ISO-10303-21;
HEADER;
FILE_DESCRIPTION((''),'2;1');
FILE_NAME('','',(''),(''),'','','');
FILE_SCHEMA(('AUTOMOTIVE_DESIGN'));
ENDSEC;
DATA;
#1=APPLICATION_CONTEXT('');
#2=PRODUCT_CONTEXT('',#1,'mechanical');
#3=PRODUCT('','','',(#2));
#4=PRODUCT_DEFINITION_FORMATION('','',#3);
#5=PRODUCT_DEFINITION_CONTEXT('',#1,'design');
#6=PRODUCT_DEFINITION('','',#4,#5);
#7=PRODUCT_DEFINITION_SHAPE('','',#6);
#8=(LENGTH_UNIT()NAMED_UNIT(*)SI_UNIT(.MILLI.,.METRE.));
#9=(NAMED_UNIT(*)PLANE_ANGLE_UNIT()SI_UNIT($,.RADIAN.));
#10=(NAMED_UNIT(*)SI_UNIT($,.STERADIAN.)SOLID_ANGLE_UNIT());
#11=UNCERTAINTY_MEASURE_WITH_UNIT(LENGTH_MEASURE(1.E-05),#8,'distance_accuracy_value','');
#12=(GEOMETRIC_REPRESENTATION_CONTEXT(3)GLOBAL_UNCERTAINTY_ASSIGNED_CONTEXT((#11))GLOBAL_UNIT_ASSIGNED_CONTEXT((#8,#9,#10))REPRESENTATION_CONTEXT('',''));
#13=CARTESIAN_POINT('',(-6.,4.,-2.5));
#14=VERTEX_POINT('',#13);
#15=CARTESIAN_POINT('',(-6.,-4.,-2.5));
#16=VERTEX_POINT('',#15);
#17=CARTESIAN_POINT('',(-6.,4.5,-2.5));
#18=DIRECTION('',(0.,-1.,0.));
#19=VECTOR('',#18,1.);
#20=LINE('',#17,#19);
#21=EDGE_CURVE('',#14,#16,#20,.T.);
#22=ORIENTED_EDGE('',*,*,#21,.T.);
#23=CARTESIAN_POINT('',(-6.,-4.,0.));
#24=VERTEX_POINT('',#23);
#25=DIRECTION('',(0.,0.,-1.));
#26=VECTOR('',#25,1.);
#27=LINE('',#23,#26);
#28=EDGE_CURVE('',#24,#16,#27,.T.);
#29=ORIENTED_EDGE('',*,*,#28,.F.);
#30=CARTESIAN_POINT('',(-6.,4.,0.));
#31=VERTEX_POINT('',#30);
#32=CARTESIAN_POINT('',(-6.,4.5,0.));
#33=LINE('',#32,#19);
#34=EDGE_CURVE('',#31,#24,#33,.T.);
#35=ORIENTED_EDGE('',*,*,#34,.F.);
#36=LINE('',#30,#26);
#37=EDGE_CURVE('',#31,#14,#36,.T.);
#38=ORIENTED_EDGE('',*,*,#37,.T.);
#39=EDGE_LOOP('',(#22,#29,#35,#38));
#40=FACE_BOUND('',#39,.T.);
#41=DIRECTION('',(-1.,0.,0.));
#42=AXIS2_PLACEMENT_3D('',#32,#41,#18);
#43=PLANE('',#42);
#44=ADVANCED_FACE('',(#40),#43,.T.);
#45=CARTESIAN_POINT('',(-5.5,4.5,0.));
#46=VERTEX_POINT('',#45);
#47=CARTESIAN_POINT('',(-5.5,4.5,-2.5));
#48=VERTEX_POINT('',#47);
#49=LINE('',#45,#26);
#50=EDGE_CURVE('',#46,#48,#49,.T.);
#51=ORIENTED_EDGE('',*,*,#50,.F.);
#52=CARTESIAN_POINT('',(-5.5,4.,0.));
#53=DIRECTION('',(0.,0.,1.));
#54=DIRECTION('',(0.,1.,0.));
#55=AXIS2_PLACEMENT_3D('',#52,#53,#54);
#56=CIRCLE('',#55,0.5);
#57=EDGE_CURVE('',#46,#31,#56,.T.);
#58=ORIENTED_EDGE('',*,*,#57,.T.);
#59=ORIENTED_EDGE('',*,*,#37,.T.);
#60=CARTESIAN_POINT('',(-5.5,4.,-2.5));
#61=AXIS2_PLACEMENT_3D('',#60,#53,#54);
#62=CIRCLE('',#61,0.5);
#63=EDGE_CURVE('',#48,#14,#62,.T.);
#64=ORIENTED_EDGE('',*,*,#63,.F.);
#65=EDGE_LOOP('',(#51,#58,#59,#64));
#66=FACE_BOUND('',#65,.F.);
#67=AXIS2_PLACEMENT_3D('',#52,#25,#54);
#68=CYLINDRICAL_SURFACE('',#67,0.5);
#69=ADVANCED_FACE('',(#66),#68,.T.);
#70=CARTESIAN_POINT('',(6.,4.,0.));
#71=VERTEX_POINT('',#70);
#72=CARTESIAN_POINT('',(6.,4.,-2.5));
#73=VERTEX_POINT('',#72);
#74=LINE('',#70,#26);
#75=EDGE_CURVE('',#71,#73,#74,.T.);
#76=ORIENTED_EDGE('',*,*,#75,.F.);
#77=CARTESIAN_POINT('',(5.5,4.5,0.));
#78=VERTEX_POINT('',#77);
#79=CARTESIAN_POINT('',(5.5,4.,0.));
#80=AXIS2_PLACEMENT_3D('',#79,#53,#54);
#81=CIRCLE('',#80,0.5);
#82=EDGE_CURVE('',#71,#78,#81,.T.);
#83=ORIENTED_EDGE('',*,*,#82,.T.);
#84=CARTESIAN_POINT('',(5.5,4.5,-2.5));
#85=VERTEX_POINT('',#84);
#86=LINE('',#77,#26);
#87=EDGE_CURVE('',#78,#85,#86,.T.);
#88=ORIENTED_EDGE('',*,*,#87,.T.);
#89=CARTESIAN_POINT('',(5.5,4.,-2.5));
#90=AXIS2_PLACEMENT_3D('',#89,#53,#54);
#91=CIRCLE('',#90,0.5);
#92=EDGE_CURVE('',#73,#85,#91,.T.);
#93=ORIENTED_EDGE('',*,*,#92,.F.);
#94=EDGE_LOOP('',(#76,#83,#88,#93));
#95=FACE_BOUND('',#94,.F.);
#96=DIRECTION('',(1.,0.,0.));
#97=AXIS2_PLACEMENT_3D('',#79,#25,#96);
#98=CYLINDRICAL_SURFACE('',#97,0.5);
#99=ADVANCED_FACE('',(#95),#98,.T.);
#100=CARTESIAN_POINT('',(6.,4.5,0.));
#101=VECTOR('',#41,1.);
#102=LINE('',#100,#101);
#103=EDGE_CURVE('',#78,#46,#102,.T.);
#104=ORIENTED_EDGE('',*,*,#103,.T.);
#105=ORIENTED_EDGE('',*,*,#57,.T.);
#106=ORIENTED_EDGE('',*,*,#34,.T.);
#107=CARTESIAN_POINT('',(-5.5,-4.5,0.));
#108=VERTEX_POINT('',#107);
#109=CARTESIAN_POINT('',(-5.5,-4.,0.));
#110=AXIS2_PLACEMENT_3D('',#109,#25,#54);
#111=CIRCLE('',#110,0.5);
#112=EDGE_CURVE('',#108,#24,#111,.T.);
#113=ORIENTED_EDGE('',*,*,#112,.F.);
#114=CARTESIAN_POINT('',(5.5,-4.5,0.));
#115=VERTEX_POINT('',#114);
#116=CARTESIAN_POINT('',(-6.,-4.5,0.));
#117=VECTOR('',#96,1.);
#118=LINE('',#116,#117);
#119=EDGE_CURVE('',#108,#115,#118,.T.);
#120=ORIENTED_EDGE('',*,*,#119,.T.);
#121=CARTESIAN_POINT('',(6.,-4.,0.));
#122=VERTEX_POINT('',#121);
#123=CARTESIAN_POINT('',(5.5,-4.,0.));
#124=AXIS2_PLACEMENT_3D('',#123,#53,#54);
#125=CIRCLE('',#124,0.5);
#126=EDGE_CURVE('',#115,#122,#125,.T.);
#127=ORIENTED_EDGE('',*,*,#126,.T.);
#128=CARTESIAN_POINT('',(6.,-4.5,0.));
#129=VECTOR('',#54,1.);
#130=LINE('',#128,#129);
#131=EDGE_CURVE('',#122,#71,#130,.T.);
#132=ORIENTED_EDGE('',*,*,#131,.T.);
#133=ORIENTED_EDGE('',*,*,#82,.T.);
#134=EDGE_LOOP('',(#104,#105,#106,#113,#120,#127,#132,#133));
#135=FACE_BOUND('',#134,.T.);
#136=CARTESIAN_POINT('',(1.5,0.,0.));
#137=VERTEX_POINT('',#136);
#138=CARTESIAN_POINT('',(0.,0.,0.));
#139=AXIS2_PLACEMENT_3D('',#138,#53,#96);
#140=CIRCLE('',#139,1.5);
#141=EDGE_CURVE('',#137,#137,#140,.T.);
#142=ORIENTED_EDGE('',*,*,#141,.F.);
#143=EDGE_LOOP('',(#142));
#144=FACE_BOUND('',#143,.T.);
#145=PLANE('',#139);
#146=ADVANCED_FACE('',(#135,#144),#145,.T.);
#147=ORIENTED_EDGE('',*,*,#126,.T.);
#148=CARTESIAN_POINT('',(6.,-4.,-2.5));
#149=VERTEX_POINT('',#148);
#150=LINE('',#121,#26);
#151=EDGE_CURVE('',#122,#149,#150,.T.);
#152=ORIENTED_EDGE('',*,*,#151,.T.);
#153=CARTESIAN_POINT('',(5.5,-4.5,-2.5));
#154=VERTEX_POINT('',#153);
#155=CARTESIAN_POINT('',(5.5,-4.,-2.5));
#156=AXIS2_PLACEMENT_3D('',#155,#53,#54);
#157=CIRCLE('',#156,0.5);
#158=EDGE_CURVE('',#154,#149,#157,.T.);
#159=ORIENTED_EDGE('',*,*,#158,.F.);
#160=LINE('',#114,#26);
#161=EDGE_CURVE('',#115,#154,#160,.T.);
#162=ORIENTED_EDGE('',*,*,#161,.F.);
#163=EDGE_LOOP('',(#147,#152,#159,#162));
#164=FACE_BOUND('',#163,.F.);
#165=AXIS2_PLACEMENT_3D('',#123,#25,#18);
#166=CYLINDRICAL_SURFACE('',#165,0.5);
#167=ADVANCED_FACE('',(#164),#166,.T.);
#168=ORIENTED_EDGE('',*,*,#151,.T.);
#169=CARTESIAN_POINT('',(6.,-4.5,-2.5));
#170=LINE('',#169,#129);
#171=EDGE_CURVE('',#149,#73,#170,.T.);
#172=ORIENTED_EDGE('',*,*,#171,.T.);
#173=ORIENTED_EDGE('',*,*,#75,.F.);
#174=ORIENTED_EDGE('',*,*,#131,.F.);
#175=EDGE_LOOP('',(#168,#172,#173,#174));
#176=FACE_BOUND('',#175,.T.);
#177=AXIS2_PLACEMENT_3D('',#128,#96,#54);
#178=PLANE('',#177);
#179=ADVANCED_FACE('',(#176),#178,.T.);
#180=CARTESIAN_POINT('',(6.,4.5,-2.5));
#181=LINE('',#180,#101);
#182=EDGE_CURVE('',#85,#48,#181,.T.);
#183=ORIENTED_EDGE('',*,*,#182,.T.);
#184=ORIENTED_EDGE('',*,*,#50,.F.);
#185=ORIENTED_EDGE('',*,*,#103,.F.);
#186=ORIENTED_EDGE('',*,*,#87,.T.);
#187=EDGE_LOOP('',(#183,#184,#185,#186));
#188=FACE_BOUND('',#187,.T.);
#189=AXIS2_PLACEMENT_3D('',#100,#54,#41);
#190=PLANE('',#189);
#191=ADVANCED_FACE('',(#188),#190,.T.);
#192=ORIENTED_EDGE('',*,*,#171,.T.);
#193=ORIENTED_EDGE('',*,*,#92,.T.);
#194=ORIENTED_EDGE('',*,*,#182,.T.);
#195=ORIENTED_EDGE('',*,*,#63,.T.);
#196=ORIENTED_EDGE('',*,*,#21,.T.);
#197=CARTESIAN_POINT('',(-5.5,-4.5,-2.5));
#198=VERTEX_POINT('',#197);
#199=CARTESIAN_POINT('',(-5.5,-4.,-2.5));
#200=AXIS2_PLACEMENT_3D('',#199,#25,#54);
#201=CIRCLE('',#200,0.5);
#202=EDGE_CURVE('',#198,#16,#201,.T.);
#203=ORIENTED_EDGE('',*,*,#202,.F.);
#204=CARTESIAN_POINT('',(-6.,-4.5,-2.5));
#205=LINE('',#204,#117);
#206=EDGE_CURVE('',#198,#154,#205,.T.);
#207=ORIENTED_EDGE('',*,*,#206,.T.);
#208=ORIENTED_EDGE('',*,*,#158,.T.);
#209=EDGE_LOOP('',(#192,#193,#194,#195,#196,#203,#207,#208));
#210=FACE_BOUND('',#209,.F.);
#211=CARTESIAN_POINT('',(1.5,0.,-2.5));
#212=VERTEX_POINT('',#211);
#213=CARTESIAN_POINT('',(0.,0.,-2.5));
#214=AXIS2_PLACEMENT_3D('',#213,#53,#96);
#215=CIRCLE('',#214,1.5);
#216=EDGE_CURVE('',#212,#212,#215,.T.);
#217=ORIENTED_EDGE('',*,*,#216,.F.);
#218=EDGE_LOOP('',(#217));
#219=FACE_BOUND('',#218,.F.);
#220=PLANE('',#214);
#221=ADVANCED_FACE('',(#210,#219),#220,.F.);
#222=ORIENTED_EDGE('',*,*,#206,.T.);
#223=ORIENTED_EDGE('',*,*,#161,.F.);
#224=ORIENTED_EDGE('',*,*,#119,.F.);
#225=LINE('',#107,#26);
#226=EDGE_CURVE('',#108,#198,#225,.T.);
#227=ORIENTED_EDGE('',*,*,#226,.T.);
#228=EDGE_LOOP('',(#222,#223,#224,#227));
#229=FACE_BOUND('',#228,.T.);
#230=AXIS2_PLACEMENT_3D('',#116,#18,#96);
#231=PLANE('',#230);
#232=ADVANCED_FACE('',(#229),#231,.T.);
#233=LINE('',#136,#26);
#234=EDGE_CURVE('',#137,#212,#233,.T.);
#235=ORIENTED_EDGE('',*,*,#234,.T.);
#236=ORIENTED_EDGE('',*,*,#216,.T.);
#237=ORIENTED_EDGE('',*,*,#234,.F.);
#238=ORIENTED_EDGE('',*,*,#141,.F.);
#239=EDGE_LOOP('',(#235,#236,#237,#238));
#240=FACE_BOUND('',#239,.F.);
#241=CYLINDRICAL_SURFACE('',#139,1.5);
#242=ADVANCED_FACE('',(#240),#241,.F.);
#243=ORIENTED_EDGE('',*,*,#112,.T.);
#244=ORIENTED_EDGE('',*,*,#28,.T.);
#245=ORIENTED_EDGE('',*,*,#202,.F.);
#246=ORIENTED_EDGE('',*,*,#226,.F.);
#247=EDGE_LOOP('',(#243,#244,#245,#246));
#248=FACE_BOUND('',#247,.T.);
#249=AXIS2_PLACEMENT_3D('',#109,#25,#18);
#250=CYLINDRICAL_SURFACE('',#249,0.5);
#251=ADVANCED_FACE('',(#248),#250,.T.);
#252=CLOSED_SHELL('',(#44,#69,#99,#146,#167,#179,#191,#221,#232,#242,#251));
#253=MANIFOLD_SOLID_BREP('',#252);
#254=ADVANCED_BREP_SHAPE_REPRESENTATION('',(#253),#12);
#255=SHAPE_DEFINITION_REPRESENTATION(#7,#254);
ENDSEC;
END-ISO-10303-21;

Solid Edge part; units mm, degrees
sketch "Sketch1" plane through (0, 0, 0) normal (0, 0, 1) x (1, 0, 0)
  line L0 (-6, -4.5) -> (6, -4.5)
  line L1 (6, -4.5) -> (6, 4.5)
  line L2 (6, 4.5) -> (-6, 4.5)
  line L3 (-6, 4.5) -> (-6, -4.5)
  circle A0 centre (0, 0) radius 1.5
  dimension "D1" = 12
  dimension "D2" = 9
  dimension "D3" = 3
extrude "Protrusion1" add sketch "Sketch1" against normal blind 2.5
fillet "Verrundung_1" radius 0.5 4 edges at (6, -4.5, -1.25) (-6, -4.5, -1.25) (-6, 4.5, -1.25) (6, 4.5, -1.25)
properties material "Aluminiumlegierung:3.0205, Al 99.0, EN-AW 1200"
